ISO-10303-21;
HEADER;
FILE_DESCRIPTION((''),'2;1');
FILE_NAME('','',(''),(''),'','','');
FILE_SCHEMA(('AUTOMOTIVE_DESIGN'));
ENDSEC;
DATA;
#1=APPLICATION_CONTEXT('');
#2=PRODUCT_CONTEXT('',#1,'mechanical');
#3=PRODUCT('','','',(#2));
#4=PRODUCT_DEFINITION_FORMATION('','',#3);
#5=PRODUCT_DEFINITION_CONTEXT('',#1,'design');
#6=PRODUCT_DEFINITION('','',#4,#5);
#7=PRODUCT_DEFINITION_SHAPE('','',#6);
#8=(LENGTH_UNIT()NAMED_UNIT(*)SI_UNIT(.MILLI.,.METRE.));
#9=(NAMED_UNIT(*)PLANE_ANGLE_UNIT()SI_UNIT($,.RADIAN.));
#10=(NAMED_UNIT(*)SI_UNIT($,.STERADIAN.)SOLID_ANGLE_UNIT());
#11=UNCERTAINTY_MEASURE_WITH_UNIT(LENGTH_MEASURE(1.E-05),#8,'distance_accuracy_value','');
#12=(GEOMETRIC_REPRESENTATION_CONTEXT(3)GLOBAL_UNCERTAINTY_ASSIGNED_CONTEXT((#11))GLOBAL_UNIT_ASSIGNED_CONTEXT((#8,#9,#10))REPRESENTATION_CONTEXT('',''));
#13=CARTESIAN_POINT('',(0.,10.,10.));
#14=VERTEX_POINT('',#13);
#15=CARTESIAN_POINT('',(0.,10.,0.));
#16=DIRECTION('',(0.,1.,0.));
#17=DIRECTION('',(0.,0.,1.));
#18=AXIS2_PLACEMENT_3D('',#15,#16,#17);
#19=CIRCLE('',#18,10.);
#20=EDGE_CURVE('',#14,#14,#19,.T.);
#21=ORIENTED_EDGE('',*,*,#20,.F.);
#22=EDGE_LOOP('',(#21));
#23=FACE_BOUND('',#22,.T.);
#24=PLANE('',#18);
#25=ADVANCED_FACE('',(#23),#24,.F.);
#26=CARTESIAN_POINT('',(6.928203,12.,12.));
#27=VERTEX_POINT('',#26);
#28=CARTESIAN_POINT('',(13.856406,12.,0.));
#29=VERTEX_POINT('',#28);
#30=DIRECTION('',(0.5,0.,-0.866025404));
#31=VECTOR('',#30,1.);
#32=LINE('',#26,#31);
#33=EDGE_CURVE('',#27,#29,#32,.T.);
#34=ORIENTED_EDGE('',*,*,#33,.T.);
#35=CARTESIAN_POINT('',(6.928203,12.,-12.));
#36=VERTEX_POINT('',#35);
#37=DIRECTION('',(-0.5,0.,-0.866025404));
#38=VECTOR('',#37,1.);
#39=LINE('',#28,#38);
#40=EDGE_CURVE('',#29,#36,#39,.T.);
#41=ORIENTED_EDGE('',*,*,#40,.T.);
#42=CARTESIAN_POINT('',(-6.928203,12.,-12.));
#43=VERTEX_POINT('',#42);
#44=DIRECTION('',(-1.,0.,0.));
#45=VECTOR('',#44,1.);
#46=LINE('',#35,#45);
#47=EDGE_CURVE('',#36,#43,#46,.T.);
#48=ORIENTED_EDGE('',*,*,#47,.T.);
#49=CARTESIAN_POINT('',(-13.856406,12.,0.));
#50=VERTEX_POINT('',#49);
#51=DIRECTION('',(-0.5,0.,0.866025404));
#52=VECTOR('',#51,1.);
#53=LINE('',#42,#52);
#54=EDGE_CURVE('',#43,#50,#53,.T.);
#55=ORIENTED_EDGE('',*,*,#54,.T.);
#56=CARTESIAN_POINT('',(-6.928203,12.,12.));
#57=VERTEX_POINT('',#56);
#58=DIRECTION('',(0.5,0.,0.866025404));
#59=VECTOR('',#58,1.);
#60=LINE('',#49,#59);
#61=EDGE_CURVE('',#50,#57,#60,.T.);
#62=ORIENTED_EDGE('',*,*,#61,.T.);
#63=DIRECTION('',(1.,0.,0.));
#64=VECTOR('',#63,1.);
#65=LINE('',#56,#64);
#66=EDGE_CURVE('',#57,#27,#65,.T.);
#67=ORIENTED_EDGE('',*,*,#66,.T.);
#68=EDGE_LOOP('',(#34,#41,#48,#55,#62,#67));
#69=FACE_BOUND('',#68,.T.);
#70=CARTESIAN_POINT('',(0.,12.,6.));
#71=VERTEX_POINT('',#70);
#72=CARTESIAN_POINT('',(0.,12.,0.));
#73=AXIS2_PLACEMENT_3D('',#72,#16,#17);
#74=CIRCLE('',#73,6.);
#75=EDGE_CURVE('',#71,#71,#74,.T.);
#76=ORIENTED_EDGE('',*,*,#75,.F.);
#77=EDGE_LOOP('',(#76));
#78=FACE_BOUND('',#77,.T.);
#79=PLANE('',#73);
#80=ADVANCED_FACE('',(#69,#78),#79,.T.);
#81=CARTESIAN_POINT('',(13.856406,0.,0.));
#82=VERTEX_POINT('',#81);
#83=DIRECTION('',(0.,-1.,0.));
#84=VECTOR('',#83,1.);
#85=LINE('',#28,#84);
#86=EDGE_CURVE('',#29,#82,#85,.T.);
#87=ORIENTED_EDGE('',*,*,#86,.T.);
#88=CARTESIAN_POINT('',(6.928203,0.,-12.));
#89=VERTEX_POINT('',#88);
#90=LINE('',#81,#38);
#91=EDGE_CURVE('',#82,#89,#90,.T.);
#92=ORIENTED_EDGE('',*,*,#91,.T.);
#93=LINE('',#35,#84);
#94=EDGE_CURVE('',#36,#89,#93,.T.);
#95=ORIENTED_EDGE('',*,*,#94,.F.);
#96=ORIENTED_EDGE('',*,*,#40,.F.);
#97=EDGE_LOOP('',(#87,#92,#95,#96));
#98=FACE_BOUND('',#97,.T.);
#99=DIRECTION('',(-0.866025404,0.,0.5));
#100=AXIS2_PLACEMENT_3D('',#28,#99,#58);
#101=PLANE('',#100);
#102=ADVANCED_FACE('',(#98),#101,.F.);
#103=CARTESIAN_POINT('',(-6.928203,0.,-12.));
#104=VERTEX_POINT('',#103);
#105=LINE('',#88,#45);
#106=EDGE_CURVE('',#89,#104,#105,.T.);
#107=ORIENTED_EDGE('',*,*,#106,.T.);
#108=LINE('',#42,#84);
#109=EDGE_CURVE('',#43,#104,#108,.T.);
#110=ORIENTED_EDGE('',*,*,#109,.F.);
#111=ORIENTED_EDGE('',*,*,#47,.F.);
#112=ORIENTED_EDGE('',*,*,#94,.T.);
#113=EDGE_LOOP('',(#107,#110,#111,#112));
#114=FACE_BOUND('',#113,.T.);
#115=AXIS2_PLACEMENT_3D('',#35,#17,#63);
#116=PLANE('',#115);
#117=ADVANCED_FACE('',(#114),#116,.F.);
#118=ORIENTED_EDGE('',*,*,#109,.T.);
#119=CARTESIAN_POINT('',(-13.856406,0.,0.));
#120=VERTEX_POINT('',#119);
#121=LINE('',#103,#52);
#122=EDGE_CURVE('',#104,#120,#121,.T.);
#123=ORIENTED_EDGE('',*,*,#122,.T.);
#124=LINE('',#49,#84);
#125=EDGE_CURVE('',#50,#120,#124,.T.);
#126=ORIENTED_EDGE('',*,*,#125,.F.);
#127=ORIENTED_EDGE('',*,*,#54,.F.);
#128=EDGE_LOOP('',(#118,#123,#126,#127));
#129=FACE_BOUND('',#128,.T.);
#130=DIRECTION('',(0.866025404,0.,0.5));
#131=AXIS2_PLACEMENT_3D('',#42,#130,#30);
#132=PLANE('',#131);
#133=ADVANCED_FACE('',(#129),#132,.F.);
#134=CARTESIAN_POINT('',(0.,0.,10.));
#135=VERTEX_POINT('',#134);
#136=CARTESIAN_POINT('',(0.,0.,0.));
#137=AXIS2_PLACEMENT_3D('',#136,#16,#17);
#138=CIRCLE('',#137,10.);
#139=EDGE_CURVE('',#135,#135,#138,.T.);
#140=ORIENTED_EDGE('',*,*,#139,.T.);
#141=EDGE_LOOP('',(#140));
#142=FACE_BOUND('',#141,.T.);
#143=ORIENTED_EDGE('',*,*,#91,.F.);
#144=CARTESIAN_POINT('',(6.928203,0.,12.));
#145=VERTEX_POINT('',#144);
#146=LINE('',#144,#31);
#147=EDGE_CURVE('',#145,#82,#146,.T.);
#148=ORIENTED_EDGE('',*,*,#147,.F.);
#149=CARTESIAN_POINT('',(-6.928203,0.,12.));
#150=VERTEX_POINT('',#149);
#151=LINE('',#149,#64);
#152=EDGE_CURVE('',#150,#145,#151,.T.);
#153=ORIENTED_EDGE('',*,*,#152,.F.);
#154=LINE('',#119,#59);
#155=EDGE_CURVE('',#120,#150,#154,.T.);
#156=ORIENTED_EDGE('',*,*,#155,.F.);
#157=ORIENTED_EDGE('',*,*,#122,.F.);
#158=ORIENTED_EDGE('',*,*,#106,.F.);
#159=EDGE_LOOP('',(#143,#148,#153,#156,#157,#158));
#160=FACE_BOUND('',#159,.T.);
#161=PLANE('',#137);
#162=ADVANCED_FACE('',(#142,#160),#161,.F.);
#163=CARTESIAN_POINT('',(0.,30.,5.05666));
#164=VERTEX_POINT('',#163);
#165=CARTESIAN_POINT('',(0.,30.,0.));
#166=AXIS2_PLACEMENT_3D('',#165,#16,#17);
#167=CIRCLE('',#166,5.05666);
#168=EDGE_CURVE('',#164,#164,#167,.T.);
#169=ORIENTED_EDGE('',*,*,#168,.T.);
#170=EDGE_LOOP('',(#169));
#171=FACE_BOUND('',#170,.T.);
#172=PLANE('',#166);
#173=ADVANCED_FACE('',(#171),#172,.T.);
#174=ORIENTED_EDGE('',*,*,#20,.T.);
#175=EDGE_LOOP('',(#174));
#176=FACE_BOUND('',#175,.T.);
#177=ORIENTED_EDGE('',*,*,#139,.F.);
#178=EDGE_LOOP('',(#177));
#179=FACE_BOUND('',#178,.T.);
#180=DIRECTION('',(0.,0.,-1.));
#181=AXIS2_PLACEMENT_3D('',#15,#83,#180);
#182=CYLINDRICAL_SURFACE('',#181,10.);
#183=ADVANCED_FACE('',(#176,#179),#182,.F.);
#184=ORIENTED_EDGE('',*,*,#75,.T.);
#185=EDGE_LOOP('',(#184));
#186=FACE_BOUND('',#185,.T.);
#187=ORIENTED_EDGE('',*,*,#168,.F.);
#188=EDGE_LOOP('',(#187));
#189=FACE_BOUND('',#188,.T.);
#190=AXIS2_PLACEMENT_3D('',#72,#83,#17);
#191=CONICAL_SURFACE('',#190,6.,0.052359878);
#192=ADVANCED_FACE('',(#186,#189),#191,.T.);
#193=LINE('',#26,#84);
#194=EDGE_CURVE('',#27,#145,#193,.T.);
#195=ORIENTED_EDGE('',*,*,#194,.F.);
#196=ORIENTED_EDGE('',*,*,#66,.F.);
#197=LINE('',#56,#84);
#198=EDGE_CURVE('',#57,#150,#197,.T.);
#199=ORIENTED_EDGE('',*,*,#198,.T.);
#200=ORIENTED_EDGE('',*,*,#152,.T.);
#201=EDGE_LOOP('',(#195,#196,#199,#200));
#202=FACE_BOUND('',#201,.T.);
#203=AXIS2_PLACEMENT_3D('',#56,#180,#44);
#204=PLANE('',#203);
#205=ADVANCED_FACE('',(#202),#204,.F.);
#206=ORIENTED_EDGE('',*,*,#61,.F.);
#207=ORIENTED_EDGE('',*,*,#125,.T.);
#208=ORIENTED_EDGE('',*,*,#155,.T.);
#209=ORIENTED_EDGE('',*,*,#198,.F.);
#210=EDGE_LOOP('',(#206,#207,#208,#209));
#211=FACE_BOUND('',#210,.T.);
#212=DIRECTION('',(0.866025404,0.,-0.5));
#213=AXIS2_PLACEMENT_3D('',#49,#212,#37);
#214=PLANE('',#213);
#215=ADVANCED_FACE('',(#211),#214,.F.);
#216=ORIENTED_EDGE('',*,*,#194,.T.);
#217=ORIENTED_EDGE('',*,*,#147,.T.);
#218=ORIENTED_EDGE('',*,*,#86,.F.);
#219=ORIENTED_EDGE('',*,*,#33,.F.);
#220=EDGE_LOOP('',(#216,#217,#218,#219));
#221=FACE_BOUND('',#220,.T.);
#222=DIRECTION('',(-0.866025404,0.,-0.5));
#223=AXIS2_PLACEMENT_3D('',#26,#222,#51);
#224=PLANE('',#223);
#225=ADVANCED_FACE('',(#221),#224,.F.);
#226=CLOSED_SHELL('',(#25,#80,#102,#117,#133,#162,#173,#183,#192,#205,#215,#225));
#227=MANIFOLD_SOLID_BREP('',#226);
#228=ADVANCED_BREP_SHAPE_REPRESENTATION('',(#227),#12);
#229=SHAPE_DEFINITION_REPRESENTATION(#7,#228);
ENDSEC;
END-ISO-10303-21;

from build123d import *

# Parameters (mm, degrees)
BOSS_EXTRUDE1_DEPTH = 12
BOSS_EXTRUDE2_START = 12
SKETCH2_R           = 6
BOSS_EXTRUDE2_DEPTH = 18
BOSS_EXTRUDE2_TAPER = 3
SKETCH3_R           = 10
CUT_EXTRUDE1_DEPTH  = 10


with BuildPart() as part:
    # Sketch1 → Boss-Extrude1 (new body)
    with BuildSketch(Plane(origin=(0, 0, 0), x_dir=(1, 0, 0), z_dir=(0, 1, 0))):
        Polygon((13.856406461, 0), (6.92820323, 12), (-6.92820323, 12), (-13.856406461, 0), (-6.92820323, -12), (6.92820323, -12), align=None)
    extrude(amount=BOSS_EXTRUDE1_DEPTH)

    # Sketch2 → Boss-Extrude2 (add)
    with BuildSketch(Plane(origin=(0, 0, 0), x_dir=(1, 0, 0), z_dir=(0, 1, 0)).offset(BOSS_EXTRUDE2_START)):
        Circle(SKETCH2_R)
    extrude(amount=BOSS_EXTRUDE2_DEPTH, taper=BOSS_EXTRUDE2_TAPER)

    # Sketch3 → Cut-Extrude1 (cut)
    with BuildSketch(Plane(origin=(0, 0, 0), x_dir=(1, 0, 0), z_dir=(0, 1, 0))):
        Circle(SKETCH3_R)
    extrude(amount=CUT_EXTRUDE1_DEPTH, mode=Mode.SUBTRACT)


solid = part.part
